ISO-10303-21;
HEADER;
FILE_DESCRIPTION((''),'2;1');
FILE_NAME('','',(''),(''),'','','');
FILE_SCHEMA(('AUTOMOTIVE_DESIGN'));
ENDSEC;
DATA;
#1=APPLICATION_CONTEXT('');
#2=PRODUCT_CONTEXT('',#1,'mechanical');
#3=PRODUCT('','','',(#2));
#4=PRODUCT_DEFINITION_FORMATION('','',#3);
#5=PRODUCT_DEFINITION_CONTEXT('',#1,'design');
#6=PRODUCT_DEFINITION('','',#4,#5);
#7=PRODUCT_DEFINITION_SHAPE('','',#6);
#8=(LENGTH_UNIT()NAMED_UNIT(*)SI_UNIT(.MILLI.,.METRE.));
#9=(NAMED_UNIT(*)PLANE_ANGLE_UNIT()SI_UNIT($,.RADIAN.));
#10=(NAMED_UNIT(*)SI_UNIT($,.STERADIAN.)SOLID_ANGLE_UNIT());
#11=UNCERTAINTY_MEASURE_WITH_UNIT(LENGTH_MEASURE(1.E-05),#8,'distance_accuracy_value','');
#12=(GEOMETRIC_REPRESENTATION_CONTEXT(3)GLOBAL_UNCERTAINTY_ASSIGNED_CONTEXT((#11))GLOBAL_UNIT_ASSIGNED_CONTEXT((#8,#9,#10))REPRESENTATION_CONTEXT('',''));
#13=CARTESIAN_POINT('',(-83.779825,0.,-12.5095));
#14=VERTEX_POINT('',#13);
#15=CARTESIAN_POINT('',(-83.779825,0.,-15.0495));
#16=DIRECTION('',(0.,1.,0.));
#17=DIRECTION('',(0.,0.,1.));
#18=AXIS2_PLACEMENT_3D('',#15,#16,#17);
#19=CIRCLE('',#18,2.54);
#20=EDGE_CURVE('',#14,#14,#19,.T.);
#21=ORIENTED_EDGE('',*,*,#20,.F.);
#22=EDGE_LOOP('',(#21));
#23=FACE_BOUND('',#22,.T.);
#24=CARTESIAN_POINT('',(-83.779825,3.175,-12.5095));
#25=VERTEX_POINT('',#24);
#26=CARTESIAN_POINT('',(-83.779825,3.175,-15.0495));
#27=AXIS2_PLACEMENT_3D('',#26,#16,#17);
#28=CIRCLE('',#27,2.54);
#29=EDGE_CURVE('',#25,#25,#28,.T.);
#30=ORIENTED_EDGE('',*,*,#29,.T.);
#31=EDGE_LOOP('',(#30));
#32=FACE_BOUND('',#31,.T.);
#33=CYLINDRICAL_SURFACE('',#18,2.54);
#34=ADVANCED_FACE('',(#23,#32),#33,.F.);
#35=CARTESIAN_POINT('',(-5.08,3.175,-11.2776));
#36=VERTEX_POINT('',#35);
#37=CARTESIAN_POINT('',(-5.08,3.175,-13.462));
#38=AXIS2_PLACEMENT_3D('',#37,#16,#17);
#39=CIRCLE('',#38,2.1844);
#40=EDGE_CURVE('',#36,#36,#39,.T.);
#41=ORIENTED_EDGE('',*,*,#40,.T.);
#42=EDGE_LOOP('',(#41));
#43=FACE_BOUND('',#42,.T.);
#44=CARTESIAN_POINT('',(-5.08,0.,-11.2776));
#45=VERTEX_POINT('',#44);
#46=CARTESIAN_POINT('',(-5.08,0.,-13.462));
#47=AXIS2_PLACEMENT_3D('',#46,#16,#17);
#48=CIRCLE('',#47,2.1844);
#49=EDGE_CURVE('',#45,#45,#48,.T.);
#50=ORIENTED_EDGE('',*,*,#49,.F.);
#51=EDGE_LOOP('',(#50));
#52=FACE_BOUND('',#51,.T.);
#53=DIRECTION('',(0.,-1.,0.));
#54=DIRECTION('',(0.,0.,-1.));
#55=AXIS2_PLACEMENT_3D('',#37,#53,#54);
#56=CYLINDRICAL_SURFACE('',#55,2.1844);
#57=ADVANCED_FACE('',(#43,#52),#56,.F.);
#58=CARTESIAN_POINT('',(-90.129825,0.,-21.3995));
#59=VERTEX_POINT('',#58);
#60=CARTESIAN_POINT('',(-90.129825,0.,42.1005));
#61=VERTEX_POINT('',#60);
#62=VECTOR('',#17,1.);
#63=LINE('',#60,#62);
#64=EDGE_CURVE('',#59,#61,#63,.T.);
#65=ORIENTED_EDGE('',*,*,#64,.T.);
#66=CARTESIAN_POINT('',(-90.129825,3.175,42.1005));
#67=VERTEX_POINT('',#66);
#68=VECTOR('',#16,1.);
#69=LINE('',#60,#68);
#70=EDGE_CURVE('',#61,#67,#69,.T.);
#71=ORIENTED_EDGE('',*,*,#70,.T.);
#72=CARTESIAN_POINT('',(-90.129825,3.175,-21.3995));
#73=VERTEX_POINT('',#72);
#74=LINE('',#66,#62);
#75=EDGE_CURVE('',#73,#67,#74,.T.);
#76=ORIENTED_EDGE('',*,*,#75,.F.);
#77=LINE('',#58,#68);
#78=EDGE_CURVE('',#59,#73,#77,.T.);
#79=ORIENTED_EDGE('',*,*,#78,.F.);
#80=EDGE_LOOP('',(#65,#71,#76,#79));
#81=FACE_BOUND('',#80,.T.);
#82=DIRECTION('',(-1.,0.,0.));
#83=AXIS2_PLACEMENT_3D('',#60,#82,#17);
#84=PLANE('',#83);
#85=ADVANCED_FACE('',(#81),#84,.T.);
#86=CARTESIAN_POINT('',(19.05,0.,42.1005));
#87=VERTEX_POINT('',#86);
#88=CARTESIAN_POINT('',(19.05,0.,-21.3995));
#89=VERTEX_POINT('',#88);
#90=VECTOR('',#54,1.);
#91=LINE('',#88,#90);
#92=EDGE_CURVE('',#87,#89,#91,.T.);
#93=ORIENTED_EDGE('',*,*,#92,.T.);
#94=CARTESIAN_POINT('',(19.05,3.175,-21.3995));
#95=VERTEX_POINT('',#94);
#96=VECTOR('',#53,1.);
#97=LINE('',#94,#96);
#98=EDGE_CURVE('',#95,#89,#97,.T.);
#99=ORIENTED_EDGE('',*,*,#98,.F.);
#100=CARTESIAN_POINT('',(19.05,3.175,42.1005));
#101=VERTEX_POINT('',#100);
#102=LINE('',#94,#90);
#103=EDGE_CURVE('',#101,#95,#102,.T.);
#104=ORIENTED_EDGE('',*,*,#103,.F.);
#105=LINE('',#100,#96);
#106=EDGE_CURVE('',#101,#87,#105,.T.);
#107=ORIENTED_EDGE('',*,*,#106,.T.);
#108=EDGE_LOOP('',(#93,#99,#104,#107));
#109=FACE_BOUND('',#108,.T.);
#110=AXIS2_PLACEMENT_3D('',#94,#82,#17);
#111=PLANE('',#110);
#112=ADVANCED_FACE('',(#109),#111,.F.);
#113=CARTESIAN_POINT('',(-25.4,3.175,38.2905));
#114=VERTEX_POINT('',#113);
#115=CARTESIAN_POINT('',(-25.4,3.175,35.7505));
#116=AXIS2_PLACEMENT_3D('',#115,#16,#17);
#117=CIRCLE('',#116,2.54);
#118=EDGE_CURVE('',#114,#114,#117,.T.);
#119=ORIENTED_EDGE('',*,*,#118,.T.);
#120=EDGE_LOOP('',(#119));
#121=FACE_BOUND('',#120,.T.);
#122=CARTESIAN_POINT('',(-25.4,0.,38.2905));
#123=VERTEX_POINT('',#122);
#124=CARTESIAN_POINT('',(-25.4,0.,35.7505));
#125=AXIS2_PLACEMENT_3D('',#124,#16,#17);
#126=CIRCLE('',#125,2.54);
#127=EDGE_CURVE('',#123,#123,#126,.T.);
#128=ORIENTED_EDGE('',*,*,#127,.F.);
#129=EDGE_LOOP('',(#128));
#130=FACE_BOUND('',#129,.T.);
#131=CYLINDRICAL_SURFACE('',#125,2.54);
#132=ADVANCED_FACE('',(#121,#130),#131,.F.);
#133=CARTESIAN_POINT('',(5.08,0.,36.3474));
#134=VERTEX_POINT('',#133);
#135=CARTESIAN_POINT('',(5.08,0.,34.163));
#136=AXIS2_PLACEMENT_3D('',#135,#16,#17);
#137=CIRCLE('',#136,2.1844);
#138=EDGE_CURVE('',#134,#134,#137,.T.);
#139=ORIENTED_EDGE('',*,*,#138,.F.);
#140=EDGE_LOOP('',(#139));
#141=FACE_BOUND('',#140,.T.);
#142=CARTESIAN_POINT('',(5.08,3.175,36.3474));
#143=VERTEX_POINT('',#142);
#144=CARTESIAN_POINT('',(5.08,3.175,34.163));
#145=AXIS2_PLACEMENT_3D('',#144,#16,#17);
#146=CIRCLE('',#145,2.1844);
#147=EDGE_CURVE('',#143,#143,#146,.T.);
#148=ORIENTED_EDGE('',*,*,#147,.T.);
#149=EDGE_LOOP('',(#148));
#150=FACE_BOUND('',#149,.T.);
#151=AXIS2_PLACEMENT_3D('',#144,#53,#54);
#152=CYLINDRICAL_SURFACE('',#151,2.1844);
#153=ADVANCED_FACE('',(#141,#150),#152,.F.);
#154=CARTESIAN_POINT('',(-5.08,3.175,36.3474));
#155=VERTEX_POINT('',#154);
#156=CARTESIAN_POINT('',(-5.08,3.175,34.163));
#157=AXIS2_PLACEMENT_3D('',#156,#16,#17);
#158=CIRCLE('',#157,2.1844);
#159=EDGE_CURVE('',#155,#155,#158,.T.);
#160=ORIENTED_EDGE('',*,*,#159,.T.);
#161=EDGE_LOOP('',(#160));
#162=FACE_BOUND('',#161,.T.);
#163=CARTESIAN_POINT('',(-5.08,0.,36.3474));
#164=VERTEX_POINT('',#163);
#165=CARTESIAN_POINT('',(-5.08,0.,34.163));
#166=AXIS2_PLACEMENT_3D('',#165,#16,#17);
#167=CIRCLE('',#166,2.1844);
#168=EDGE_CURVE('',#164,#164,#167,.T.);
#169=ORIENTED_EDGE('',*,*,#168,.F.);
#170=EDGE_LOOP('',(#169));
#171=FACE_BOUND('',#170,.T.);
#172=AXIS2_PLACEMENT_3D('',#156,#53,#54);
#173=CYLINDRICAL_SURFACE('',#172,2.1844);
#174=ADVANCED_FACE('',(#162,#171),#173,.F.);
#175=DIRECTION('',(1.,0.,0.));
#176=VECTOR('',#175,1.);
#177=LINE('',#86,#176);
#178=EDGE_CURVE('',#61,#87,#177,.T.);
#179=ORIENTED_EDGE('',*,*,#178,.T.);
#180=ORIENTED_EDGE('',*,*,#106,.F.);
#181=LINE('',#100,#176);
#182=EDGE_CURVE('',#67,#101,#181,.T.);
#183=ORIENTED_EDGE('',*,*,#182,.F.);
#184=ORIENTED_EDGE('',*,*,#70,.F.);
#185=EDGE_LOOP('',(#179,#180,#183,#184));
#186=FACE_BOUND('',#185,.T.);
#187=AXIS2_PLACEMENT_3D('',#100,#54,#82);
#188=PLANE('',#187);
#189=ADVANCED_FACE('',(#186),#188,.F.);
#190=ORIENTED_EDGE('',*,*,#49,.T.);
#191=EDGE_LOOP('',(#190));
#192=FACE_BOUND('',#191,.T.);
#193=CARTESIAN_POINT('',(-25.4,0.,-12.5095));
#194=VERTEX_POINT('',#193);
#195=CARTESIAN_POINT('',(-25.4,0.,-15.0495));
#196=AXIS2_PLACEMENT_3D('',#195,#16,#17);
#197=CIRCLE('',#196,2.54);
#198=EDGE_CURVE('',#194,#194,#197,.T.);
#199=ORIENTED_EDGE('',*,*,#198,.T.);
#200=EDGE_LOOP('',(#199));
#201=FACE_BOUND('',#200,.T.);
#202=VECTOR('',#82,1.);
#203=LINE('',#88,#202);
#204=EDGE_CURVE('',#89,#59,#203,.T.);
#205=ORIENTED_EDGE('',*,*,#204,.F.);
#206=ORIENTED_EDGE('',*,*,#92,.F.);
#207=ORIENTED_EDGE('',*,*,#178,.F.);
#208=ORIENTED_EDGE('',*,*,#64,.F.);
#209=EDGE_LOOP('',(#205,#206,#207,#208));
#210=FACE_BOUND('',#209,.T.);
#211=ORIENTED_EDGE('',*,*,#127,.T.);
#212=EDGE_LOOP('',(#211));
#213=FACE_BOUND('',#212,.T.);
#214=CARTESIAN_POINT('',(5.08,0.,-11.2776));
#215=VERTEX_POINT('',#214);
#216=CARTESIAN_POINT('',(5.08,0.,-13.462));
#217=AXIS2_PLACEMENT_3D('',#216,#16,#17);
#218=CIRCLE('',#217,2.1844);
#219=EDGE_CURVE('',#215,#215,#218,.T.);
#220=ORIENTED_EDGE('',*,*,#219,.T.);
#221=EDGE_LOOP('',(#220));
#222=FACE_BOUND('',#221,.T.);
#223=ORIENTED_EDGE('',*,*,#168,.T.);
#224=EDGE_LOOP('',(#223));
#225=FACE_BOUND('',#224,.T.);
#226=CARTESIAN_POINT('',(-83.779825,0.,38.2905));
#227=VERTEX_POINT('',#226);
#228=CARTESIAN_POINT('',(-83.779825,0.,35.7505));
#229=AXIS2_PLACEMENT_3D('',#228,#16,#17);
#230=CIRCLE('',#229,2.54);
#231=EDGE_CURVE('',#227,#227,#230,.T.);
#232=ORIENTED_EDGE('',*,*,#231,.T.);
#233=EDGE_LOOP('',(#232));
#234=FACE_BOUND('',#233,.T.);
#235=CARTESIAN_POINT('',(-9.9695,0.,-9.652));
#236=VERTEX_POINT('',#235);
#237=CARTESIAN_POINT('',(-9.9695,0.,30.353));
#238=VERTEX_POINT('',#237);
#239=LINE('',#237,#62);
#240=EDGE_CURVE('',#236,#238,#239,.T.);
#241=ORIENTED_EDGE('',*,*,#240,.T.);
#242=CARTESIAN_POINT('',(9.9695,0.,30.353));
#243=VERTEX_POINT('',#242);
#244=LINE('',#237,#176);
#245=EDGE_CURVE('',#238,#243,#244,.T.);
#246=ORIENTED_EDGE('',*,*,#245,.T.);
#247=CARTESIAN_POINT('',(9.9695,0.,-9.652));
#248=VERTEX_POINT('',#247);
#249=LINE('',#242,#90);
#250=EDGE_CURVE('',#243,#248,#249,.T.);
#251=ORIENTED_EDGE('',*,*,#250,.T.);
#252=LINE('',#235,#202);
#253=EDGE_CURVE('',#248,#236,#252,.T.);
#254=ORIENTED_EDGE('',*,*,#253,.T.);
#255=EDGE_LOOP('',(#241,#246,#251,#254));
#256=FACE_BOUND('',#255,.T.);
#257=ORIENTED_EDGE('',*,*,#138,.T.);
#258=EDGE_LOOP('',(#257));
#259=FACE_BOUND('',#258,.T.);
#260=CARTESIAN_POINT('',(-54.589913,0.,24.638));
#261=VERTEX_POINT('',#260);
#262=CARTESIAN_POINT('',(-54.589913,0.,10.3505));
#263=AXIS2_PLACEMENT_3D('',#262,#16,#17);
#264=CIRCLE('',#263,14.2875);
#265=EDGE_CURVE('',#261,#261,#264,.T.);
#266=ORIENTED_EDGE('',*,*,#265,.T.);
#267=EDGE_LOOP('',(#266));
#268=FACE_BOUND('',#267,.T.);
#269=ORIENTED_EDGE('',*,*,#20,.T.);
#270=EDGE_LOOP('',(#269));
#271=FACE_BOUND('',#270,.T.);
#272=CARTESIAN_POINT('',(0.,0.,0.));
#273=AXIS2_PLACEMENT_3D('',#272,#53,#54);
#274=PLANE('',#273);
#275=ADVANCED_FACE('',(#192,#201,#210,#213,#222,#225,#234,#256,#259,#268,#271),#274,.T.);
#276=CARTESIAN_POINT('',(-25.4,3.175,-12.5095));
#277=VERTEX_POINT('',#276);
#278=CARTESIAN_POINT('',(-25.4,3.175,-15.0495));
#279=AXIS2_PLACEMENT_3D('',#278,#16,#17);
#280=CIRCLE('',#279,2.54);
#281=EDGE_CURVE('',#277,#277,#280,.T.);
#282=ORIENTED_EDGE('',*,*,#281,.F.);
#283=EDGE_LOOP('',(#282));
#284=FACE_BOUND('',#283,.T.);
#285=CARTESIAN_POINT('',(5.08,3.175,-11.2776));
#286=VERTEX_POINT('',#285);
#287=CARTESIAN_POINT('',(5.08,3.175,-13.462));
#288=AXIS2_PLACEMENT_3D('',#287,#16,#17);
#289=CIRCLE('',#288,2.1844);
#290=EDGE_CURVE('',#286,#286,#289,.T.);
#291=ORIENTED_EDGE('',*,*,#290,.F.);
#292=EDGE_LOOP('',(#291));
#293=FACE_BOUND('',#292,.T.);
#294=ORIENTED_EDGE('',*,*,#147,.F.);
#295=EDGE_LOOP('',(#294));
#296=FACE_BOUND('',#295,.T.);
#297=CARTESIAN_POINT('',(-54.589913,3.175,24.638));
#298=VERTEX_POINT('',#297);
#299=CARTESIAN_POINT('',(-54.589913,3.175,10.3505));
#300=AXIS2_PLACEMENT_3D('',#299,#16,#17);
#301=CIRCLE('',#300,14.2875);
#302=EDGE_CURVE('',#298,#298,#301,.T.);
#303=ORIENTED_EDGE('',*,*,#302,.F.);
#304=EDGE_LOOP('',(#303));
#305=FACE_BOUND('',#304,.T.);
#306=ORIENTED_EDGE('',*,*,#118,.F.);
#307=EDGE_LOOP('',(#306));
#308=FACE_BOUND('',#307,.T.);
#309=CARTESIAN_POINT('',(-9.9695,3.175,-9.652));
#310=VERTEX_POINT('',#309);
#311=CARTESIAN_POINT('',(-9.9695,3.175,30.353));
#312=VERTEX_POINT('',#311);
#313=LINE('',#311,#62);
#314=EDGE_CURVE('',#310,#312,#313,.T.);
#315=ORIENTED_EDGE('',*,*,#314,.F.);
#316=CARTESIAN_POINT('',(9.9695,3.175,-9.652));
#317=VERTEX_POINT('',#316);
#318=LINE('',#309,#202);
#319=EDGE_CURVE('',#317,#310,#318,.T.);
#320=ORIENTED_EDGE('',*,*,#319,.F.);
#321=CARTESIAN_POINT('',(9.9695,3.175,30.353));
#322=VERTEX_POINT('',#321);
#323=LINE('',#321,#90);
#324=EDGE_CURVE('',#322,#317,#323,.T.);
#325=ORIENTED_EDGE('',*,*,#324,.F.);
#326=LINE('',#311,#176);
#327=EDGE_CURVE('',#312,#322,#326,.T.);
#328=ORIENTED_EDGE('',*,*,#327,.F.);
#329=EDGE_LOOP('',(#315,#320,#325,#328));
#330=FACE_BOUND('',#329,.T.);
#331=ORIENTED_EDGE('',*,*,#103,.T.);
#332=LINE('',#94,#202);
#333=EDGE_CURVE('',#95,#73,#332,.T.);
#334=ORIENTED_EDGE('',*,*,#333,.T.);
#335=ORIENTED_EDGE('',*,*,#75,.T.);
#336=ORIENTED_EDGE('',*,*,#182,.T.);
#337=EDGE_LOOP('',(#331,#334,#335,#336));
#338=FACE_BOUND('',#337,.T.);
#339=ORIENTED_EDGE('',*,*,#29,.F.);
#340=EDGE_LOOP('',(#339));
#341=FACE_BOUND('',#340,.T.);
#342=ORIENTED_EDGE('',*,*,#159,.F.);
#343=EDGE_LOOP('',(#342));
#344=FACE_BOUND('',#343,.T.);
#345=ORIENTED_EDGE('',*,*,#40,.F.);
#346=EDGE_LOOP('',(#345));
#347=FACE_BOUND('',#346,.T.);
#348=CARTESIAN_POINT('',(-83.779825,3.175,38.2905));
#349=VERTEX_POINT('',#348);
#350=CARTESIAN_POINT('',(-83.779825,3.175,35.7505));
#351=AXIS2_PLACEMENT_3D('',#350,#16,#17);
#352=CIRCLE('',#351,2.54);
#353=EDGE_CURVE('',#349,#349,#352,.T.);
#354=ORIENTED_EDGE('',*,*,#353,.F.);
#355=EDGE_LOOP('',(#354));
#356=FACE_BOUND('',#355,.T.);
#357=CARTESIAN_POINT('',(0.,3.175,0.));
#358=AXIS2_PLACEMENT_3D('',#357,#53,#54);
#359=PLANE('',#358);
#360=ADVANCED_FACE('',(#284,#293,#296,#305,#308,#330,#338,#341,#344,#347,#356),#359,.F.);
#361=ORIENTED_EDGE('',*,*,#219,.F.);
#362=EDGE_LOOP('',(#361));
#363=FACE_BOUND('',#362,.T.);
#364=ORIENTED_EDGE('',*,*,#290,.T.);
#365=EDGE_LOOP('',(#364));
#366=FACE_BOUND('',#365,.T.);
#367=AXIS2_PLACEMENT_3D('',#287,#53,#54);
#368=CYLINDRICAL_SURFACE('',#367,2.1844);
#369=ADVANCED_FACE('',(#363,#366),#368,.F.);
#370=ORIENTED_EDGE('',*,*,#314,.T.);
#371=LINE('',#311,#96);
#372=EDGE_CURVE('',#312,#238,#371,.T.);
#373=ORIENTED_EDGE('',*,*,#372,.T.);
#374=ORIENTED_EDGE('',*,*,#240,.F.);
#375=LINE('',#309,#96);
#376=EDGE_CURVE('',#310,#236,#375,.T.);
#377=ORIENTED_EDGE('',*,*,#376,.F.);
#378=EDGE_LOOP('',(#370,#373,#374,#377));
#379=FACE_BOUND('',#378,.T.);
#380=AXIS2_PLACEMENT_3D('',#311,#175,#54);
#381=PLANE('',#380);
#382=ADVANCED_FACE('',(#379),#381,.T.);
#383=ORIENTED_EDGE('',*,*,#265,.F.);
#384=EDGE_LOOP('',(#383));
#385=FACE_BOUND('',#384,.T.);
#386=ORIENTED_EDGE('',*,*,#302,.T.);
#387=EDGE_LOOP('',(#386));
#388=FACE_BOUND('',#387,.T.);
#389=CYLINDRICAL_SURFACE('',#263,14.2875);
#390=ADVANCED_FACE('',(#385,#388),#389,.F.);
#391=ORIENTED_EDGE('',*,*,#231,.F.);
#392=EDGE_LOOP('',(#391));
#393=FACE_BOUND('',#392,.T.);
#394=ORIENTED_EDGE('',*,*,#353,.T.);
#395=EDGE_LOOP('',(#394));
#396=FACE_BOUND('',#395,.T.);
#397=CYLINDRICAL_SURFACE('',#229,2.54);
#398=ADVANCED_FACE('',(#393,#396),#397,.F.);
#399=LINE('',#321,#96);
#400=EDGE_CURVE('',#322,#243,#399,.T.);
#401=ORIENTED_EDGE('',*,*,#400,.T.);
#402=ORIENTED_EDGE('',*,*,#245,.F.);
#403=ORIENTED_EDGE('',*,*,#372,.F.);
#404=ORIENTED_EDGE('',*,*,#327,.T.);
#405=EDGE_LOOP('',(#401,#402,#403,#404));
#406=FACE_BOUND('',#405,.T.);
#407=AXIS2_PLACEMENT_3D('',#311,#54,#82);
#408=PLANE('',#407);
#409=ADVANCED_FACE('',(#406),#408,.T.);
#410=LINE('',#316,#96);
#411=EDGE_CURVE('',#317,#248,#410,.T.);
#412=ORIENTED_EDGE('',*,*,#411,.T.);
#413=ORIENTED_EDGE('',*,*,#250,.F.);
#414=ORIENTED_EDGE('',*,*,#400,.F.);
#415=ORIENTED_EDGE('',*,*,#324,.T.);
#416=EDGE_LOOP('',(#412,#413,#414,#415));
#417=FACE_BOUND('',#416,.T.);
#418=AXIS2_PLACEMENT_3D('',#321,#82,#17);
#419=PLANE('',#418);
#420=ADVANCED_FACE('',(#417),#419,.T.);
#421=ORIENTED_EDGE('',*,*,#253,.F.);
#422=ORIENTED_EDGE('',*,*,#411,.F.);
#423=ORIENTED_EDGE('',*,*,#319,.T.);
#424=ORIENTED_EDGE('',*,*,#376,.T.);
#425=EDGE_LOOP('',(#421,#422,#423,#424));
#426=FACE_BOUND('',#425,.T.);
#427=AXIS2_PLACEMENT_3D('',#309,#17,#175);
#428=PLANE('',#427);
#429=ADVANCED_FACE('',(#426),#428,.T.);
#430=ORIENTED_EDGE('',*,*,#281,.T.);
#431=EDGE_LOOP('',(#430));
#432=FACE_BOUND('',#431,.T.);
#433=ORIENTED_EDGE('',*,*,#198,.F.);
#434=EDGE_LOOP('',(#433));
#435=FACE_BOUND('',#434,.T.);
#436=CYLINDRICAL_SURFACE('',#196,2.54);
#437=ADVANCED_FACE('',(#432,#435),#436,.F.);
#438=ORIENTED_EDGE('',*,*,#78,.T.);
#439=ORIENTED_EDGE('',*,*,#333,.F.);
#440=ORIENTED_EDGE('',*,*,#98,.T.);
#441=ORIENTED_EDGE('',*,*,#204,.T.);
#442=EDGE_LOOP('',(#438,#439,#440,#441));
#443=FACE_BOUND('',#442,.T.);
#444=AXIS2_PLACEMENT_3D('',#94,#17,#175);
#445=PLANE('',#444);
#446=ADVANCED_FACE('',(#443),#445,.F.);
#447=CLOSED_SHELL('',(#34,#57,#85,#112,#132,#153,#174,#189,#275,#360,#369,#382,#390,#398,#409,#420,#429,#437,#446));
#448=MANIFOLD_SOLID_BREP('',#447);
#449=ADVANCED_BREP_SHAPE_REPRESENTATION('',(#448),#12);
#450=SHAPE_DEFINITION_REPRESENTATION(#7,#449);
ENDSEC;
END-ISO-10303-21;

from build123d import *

# Parameters (mm, degrees)
SKETCH2_W           = 38.1
SKETCH2_H           = 63.5
SKETCH2_R           = 2.1844
SKETCH2_W_2         = 19.939
SKETCH2_H_2         = 40.005
BOSS_EXTRUDE1_DEPTH = 3.175
SKETCH4_W           = 71.079825169
SKETCH4_H           = 63.5
SKETCH4_R           = 14.2875
SKETCH4_R_2         = 2.54
BOSS_EXTRUDE3_DEPTH = 3.175


with BuildPart() as part:
    # Sketch2 → Boss-Extrude1 (new body)
    with BuildSketch(Plane(origin=(0, 0, 0), x_dir=(1, 0, 0), z_dir=(0, 1, 0))):
        with Locations((0, -10.3505)):
            Rectangle(SKETCH2_W, SKETCH2_H)
        with Locations(Location((5.08, 13.462, 0), (0, 0, 270))):
            Circle(SKETCH2_R, mode=Mode.SUBTRACT)
        with Locations(Location((-5.08, 13.462, 0), (0, 0, 270))):
            Circle(SKETCH2_R, mode=Mode.SUBTRACT)
        with Locations(Location((-5.08, -34.163, 0), (0, 0, 270))):
            Circle(SKETCH2_R, mode=Mode.SUBTRACT)
        with Locations(Location((5.08, -34.163, 0), (0, 0, 270))):
            Circle(SKETCH2_R, mode=Mode.SUBTRACT)
        with Locations((0, -10.3505)):
            Rectangle(SKETCH2_W_2, SKETCH2_H_2, mode=Mode.SUBTRACT)
    extrude(amount=BOSS_EXTRUDE1_DEPTH)

    # Sketch4 → Boss-Extrude3 (add, through all)
    with BuildSketch(Plane(origin=(0, 3.175, 0), x_dir=(1, 0, 0), z_dir=(0, 1, 0))):
        with Locations((-54.589912584, -10.3505)):
            Rectangle(SKETCH4_W, SKETCH4_H)
        with Locations(Location((-54.589912585, -10.3505, 0), (0, 0, 270))):
            Circle(SKETCH4_R, mode=Mode.SUBTRACT)
        with Locations(Location((-83.779825169, 15.0495, 0), (0, 0, 270))):
            Circle(SKETCH4_R_2, mode=Mode.SUBTRACT)
        with Locations(Location((-25.4, 15.0495, 0), (0, 0, 270))):
            Circle(SKETCH4_R_2, mode=Mode.SUBTRACT)
        with Locations(Location((-25.4, -35.7505, 0), (0, 0, 270))):
            Circle(SKETCH4_R_2, mode=Mode.SUBTRACT)
        with Locations(Location((-83.779825169, -35.7505, 0), (0, 0, 270))):
            Circle(SKETCH4_R_2, mode=Mode.SUBTRACT)
    extrude(amount=-BOSS_EXTRUDE3_DEPTH)


solid = part.part
